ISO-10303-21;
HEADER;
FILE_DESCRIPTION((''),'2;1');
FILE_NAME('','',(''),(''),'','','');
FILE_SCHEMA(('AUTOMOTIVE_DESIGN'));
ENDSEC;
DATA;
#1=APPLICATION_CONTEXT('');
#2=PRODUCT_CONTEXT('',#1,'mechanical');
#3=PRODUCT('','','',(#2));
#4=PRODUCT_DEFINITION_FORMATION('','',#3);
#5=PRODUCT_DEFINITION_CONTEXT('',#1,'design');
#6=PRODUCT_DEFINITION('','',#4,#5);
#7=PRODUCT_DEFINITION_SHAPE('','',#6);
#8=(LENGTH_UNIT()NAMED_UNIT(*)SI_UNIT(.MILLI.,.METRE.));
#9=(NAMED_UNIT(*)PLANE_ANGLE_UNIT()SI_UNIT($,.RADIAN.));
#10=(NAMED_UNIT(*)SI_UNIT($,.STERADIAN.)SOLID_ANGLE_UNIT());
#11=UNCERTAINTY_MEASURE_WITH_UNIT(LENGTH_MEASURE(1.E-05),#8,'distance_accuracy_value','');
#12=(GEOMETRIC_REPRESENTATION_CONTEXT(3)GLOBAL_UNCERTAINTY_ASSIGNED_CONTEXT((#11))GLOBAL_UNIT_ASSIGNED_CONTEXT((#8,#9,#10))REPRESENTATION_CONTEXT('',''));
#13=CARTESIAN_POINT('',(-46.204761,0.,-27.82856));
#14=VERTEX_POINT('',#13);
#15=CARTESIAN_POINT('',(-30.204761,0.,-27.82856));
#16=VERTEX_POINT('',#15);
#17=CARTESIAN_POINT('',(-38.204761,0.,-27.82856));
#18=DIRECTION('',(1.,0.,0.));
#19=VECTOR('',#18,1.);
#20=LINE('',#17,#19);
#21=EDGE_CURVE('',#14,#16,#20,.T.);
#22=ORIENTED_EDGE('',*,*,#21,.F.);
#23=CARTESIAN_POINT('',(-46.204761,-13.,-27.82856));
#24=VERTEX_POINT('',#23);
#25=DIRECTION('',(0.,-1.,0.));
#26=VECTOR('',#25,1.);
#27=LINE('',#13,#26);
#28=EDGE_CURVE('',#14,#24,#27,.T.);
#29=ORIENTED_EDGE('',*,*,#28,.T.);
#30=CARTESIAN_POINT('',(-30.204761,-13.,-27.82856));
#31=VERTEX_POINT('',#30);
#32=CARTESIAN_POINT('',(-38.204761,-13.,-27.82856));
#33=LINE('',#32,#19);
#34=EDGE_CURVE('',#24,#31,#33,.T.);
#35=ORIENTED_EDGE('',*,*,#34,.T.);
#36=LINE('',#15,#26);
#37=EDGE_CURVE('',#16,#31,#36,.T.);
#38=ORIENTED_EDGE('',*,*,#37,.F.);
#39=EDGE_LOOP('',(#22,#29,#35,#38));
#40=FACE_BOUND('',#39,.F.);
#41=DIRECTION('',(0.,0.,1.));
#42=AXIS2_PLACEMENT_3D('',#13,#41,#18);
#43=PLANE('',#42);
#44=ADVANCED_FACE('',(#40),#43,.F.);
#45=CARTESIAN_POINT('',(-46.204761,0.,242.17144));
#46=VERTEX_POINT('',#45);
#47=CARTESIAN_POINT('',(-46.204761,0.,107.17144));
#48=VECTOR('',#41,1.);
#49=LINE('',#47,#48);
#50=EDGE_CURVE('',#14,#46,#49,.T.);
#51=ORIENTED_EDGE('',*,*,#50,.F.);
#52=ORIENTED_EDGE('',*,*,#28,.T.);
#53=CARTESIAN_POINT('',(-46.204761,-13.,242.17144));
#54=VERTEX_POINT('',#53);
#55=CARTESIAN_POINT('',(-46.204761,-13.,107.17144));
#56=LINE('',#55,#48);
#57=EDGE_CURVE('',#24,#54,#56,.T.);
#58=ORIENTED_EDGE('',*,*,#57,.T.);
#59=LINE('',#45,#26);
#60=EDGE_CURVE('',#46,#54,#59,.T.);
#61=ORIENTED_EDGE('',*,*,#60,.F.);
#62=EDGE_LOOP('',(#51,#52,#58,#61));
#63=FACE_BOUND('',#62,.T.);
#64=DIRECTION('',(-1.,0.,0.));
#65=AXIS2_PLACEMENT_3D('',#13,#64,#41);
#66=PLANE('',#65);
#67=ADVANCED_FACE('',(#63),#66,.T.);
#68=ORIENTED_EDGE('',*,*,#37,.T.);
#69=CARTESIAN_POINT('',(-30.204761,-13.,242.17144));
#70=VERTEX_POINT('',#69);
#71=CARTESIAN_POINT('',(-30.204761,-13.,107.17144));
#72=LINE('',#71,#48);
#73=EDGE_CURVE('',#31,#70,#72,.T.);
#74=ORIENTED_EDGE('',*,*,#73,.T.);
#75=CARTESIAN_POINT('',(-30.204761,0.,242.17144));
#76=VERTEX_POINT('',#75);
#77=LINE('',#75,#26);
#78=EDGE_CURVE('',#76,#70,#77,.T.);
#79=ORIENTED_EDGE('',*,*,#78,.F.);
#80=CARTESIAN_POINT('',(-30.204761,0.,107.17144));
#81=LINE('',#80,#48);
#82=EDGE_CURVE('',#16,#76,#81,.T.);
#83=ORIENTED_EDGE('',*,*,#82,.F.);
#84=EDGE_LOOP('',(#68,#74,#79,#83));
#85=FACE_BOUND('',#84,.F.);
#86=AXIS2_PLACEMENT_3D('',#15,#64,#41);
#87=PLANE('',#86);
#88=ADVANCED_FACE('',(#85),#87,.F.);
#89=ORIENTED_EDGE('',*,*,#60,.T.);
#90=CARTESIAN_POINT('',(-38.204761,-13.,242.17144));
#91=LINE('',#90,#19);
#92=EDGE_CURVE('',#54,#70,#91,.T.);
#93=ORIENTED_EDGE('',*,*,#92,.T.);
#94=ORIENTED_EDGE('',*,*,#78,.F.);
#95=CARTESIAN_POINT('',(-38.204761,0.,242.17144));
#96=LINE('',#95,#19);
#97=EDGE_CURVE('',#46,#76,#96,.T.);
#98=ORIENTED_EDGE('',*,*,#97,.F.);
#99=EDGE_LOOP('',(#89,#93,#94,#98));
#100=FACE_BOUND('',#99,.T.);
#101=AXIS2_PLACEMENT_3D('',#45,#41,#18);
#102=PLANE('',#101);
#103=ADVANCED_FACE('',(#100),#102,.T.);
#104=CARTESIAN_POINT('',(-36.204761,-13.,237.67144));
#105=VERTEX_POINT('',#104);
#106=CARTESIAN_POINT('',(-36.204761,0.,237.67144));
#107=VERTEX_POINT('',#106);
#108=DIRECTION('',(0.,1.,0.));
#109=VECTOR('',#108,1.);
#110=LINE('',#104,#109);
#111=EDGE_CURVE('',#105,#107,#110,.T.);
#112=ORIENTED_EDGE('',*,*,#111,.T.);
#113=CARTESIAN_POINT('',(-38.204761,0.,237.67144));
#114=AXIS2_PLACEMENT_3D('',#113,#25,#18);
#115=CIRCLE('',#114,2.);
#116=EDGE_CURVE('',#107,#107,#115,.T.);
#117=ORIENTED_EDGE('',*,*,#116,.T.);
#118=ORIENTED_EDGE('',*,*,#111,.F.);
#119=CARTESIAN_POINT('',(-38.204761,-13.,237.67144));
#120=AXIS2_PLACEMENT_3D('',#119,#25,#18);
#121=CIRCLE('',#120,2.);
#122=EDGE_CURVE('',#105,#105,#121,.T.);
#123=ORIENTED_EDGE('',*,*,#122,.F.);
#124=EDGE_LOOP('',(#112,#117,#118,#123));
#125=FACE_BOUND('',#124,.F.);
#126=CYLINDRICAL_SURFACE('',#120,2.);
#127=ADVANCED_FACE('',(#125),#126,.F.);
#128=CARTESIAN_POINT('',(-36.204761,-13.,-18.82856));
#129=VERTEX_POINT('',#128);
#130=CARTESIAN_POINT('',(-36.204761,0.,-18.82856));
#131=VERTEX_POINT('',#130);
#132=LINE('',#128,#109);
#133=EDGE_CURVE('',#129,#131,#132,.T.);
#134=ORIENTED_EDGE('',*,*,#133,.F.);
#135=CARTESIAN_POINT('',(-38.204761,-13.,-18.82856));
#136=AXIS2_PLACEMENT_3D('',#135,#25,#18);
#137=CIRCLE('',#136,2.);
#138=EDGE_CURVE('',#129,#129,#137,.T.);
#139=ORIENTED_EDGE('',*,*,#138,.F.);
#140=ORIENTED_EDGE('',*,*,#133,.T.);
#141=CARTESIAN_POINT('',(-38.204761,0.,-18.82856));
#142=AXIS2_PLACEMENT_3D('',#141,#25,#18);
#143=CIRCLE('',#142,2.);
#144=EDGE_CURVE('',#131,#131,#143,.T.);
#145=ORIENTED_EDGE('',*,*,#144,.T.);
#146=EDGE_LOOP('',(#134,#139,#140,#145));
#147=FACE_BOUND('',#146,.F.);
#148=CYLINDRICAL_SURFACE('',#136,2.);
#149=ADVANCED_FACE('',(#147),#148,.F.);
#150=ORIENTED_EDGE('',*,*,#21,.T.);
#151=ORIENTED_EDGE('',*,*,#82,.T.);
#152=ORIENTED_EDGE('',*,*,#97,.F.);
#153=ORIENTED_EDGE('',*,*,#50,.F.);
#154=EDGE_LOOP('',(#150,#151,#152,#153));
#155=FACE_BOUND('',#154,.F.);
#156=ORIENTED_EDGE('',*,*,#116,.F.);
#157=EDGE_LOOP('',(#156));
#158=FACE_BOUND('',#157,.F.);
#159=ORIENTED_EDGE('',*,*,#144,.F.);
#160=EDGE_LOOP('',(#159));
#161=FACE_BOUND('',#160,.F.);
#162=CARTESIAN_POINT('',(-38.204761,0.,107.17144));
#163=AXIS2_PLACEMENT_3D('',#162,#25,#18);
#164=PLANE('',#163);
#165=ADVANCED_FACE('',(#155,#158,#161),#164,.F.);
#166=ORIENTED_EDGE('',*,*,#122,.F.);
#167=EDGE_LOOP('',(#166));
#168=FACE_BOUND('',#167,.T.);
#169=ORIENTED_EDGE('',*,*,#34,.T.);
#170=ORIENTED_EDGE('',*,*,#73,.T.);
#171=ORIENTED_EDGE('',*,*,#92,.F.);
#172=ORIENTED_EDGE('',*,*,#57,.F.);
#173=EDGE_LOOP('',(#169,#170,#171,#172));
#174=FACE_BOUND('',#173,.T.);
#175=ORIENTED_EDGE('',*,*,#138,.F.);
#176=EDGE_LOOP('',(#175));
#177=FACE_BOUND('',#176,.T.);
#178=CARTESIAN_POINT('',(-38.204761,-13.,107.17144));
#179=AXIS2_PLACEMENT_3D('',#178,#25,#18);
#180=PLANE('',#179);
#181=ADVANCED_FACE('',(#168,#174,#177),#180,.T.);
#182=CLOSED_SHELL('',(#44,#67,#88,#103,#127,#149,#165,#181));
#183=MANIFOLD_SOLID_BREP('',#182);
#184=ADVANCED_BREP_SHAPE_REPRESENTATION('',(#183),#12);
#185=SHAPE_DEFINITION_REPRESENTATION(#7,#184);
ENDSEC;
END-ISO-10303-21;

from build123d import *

# Parameters (mm, degrees)
F0_W     = 16
F0_H     = 270
F1_DEPTH = 13
F2_R     = 2
F3_DEPTH = 13
F5_DEPTH = 13


with BuildPart() as f1:
    # F0 (on Front) → F1 (new body)
    with BuildSketch(Plane.XZ):
        with Locations((-38.204761, 107.17144)):
            Rectangle(F0_W, F0_H)
    extrude(amount=F1_DEPTH)

    # F2 (on face) → F3 (cut)
    with BuildSketch(Plane.XZ.offset(13)):
        with Locations((-38.204761, -18.82856)):
            Circle(F2_R)
    extrude(amount=-F3_DEPTH, mode=Mode.SUBTRACT)

    # F4 (on face) → F5 (cut)
    with BuildSketch(Plane.XZ.offset(13)):
        with BuildLine():
            ThreePointArc((-40.204761, 237.67144), (-38.204761, 235.67144), (-36.204761, 237.67144))
            ThreePointArc((-36.204761, 237.67144), (-38.204761, 239.67144), (-40.204761, 237.67144))
        make_face()
    extrude(amount=-F5_DEPTH, mode=Mode.SUBTRACT)


solid = f1.part
